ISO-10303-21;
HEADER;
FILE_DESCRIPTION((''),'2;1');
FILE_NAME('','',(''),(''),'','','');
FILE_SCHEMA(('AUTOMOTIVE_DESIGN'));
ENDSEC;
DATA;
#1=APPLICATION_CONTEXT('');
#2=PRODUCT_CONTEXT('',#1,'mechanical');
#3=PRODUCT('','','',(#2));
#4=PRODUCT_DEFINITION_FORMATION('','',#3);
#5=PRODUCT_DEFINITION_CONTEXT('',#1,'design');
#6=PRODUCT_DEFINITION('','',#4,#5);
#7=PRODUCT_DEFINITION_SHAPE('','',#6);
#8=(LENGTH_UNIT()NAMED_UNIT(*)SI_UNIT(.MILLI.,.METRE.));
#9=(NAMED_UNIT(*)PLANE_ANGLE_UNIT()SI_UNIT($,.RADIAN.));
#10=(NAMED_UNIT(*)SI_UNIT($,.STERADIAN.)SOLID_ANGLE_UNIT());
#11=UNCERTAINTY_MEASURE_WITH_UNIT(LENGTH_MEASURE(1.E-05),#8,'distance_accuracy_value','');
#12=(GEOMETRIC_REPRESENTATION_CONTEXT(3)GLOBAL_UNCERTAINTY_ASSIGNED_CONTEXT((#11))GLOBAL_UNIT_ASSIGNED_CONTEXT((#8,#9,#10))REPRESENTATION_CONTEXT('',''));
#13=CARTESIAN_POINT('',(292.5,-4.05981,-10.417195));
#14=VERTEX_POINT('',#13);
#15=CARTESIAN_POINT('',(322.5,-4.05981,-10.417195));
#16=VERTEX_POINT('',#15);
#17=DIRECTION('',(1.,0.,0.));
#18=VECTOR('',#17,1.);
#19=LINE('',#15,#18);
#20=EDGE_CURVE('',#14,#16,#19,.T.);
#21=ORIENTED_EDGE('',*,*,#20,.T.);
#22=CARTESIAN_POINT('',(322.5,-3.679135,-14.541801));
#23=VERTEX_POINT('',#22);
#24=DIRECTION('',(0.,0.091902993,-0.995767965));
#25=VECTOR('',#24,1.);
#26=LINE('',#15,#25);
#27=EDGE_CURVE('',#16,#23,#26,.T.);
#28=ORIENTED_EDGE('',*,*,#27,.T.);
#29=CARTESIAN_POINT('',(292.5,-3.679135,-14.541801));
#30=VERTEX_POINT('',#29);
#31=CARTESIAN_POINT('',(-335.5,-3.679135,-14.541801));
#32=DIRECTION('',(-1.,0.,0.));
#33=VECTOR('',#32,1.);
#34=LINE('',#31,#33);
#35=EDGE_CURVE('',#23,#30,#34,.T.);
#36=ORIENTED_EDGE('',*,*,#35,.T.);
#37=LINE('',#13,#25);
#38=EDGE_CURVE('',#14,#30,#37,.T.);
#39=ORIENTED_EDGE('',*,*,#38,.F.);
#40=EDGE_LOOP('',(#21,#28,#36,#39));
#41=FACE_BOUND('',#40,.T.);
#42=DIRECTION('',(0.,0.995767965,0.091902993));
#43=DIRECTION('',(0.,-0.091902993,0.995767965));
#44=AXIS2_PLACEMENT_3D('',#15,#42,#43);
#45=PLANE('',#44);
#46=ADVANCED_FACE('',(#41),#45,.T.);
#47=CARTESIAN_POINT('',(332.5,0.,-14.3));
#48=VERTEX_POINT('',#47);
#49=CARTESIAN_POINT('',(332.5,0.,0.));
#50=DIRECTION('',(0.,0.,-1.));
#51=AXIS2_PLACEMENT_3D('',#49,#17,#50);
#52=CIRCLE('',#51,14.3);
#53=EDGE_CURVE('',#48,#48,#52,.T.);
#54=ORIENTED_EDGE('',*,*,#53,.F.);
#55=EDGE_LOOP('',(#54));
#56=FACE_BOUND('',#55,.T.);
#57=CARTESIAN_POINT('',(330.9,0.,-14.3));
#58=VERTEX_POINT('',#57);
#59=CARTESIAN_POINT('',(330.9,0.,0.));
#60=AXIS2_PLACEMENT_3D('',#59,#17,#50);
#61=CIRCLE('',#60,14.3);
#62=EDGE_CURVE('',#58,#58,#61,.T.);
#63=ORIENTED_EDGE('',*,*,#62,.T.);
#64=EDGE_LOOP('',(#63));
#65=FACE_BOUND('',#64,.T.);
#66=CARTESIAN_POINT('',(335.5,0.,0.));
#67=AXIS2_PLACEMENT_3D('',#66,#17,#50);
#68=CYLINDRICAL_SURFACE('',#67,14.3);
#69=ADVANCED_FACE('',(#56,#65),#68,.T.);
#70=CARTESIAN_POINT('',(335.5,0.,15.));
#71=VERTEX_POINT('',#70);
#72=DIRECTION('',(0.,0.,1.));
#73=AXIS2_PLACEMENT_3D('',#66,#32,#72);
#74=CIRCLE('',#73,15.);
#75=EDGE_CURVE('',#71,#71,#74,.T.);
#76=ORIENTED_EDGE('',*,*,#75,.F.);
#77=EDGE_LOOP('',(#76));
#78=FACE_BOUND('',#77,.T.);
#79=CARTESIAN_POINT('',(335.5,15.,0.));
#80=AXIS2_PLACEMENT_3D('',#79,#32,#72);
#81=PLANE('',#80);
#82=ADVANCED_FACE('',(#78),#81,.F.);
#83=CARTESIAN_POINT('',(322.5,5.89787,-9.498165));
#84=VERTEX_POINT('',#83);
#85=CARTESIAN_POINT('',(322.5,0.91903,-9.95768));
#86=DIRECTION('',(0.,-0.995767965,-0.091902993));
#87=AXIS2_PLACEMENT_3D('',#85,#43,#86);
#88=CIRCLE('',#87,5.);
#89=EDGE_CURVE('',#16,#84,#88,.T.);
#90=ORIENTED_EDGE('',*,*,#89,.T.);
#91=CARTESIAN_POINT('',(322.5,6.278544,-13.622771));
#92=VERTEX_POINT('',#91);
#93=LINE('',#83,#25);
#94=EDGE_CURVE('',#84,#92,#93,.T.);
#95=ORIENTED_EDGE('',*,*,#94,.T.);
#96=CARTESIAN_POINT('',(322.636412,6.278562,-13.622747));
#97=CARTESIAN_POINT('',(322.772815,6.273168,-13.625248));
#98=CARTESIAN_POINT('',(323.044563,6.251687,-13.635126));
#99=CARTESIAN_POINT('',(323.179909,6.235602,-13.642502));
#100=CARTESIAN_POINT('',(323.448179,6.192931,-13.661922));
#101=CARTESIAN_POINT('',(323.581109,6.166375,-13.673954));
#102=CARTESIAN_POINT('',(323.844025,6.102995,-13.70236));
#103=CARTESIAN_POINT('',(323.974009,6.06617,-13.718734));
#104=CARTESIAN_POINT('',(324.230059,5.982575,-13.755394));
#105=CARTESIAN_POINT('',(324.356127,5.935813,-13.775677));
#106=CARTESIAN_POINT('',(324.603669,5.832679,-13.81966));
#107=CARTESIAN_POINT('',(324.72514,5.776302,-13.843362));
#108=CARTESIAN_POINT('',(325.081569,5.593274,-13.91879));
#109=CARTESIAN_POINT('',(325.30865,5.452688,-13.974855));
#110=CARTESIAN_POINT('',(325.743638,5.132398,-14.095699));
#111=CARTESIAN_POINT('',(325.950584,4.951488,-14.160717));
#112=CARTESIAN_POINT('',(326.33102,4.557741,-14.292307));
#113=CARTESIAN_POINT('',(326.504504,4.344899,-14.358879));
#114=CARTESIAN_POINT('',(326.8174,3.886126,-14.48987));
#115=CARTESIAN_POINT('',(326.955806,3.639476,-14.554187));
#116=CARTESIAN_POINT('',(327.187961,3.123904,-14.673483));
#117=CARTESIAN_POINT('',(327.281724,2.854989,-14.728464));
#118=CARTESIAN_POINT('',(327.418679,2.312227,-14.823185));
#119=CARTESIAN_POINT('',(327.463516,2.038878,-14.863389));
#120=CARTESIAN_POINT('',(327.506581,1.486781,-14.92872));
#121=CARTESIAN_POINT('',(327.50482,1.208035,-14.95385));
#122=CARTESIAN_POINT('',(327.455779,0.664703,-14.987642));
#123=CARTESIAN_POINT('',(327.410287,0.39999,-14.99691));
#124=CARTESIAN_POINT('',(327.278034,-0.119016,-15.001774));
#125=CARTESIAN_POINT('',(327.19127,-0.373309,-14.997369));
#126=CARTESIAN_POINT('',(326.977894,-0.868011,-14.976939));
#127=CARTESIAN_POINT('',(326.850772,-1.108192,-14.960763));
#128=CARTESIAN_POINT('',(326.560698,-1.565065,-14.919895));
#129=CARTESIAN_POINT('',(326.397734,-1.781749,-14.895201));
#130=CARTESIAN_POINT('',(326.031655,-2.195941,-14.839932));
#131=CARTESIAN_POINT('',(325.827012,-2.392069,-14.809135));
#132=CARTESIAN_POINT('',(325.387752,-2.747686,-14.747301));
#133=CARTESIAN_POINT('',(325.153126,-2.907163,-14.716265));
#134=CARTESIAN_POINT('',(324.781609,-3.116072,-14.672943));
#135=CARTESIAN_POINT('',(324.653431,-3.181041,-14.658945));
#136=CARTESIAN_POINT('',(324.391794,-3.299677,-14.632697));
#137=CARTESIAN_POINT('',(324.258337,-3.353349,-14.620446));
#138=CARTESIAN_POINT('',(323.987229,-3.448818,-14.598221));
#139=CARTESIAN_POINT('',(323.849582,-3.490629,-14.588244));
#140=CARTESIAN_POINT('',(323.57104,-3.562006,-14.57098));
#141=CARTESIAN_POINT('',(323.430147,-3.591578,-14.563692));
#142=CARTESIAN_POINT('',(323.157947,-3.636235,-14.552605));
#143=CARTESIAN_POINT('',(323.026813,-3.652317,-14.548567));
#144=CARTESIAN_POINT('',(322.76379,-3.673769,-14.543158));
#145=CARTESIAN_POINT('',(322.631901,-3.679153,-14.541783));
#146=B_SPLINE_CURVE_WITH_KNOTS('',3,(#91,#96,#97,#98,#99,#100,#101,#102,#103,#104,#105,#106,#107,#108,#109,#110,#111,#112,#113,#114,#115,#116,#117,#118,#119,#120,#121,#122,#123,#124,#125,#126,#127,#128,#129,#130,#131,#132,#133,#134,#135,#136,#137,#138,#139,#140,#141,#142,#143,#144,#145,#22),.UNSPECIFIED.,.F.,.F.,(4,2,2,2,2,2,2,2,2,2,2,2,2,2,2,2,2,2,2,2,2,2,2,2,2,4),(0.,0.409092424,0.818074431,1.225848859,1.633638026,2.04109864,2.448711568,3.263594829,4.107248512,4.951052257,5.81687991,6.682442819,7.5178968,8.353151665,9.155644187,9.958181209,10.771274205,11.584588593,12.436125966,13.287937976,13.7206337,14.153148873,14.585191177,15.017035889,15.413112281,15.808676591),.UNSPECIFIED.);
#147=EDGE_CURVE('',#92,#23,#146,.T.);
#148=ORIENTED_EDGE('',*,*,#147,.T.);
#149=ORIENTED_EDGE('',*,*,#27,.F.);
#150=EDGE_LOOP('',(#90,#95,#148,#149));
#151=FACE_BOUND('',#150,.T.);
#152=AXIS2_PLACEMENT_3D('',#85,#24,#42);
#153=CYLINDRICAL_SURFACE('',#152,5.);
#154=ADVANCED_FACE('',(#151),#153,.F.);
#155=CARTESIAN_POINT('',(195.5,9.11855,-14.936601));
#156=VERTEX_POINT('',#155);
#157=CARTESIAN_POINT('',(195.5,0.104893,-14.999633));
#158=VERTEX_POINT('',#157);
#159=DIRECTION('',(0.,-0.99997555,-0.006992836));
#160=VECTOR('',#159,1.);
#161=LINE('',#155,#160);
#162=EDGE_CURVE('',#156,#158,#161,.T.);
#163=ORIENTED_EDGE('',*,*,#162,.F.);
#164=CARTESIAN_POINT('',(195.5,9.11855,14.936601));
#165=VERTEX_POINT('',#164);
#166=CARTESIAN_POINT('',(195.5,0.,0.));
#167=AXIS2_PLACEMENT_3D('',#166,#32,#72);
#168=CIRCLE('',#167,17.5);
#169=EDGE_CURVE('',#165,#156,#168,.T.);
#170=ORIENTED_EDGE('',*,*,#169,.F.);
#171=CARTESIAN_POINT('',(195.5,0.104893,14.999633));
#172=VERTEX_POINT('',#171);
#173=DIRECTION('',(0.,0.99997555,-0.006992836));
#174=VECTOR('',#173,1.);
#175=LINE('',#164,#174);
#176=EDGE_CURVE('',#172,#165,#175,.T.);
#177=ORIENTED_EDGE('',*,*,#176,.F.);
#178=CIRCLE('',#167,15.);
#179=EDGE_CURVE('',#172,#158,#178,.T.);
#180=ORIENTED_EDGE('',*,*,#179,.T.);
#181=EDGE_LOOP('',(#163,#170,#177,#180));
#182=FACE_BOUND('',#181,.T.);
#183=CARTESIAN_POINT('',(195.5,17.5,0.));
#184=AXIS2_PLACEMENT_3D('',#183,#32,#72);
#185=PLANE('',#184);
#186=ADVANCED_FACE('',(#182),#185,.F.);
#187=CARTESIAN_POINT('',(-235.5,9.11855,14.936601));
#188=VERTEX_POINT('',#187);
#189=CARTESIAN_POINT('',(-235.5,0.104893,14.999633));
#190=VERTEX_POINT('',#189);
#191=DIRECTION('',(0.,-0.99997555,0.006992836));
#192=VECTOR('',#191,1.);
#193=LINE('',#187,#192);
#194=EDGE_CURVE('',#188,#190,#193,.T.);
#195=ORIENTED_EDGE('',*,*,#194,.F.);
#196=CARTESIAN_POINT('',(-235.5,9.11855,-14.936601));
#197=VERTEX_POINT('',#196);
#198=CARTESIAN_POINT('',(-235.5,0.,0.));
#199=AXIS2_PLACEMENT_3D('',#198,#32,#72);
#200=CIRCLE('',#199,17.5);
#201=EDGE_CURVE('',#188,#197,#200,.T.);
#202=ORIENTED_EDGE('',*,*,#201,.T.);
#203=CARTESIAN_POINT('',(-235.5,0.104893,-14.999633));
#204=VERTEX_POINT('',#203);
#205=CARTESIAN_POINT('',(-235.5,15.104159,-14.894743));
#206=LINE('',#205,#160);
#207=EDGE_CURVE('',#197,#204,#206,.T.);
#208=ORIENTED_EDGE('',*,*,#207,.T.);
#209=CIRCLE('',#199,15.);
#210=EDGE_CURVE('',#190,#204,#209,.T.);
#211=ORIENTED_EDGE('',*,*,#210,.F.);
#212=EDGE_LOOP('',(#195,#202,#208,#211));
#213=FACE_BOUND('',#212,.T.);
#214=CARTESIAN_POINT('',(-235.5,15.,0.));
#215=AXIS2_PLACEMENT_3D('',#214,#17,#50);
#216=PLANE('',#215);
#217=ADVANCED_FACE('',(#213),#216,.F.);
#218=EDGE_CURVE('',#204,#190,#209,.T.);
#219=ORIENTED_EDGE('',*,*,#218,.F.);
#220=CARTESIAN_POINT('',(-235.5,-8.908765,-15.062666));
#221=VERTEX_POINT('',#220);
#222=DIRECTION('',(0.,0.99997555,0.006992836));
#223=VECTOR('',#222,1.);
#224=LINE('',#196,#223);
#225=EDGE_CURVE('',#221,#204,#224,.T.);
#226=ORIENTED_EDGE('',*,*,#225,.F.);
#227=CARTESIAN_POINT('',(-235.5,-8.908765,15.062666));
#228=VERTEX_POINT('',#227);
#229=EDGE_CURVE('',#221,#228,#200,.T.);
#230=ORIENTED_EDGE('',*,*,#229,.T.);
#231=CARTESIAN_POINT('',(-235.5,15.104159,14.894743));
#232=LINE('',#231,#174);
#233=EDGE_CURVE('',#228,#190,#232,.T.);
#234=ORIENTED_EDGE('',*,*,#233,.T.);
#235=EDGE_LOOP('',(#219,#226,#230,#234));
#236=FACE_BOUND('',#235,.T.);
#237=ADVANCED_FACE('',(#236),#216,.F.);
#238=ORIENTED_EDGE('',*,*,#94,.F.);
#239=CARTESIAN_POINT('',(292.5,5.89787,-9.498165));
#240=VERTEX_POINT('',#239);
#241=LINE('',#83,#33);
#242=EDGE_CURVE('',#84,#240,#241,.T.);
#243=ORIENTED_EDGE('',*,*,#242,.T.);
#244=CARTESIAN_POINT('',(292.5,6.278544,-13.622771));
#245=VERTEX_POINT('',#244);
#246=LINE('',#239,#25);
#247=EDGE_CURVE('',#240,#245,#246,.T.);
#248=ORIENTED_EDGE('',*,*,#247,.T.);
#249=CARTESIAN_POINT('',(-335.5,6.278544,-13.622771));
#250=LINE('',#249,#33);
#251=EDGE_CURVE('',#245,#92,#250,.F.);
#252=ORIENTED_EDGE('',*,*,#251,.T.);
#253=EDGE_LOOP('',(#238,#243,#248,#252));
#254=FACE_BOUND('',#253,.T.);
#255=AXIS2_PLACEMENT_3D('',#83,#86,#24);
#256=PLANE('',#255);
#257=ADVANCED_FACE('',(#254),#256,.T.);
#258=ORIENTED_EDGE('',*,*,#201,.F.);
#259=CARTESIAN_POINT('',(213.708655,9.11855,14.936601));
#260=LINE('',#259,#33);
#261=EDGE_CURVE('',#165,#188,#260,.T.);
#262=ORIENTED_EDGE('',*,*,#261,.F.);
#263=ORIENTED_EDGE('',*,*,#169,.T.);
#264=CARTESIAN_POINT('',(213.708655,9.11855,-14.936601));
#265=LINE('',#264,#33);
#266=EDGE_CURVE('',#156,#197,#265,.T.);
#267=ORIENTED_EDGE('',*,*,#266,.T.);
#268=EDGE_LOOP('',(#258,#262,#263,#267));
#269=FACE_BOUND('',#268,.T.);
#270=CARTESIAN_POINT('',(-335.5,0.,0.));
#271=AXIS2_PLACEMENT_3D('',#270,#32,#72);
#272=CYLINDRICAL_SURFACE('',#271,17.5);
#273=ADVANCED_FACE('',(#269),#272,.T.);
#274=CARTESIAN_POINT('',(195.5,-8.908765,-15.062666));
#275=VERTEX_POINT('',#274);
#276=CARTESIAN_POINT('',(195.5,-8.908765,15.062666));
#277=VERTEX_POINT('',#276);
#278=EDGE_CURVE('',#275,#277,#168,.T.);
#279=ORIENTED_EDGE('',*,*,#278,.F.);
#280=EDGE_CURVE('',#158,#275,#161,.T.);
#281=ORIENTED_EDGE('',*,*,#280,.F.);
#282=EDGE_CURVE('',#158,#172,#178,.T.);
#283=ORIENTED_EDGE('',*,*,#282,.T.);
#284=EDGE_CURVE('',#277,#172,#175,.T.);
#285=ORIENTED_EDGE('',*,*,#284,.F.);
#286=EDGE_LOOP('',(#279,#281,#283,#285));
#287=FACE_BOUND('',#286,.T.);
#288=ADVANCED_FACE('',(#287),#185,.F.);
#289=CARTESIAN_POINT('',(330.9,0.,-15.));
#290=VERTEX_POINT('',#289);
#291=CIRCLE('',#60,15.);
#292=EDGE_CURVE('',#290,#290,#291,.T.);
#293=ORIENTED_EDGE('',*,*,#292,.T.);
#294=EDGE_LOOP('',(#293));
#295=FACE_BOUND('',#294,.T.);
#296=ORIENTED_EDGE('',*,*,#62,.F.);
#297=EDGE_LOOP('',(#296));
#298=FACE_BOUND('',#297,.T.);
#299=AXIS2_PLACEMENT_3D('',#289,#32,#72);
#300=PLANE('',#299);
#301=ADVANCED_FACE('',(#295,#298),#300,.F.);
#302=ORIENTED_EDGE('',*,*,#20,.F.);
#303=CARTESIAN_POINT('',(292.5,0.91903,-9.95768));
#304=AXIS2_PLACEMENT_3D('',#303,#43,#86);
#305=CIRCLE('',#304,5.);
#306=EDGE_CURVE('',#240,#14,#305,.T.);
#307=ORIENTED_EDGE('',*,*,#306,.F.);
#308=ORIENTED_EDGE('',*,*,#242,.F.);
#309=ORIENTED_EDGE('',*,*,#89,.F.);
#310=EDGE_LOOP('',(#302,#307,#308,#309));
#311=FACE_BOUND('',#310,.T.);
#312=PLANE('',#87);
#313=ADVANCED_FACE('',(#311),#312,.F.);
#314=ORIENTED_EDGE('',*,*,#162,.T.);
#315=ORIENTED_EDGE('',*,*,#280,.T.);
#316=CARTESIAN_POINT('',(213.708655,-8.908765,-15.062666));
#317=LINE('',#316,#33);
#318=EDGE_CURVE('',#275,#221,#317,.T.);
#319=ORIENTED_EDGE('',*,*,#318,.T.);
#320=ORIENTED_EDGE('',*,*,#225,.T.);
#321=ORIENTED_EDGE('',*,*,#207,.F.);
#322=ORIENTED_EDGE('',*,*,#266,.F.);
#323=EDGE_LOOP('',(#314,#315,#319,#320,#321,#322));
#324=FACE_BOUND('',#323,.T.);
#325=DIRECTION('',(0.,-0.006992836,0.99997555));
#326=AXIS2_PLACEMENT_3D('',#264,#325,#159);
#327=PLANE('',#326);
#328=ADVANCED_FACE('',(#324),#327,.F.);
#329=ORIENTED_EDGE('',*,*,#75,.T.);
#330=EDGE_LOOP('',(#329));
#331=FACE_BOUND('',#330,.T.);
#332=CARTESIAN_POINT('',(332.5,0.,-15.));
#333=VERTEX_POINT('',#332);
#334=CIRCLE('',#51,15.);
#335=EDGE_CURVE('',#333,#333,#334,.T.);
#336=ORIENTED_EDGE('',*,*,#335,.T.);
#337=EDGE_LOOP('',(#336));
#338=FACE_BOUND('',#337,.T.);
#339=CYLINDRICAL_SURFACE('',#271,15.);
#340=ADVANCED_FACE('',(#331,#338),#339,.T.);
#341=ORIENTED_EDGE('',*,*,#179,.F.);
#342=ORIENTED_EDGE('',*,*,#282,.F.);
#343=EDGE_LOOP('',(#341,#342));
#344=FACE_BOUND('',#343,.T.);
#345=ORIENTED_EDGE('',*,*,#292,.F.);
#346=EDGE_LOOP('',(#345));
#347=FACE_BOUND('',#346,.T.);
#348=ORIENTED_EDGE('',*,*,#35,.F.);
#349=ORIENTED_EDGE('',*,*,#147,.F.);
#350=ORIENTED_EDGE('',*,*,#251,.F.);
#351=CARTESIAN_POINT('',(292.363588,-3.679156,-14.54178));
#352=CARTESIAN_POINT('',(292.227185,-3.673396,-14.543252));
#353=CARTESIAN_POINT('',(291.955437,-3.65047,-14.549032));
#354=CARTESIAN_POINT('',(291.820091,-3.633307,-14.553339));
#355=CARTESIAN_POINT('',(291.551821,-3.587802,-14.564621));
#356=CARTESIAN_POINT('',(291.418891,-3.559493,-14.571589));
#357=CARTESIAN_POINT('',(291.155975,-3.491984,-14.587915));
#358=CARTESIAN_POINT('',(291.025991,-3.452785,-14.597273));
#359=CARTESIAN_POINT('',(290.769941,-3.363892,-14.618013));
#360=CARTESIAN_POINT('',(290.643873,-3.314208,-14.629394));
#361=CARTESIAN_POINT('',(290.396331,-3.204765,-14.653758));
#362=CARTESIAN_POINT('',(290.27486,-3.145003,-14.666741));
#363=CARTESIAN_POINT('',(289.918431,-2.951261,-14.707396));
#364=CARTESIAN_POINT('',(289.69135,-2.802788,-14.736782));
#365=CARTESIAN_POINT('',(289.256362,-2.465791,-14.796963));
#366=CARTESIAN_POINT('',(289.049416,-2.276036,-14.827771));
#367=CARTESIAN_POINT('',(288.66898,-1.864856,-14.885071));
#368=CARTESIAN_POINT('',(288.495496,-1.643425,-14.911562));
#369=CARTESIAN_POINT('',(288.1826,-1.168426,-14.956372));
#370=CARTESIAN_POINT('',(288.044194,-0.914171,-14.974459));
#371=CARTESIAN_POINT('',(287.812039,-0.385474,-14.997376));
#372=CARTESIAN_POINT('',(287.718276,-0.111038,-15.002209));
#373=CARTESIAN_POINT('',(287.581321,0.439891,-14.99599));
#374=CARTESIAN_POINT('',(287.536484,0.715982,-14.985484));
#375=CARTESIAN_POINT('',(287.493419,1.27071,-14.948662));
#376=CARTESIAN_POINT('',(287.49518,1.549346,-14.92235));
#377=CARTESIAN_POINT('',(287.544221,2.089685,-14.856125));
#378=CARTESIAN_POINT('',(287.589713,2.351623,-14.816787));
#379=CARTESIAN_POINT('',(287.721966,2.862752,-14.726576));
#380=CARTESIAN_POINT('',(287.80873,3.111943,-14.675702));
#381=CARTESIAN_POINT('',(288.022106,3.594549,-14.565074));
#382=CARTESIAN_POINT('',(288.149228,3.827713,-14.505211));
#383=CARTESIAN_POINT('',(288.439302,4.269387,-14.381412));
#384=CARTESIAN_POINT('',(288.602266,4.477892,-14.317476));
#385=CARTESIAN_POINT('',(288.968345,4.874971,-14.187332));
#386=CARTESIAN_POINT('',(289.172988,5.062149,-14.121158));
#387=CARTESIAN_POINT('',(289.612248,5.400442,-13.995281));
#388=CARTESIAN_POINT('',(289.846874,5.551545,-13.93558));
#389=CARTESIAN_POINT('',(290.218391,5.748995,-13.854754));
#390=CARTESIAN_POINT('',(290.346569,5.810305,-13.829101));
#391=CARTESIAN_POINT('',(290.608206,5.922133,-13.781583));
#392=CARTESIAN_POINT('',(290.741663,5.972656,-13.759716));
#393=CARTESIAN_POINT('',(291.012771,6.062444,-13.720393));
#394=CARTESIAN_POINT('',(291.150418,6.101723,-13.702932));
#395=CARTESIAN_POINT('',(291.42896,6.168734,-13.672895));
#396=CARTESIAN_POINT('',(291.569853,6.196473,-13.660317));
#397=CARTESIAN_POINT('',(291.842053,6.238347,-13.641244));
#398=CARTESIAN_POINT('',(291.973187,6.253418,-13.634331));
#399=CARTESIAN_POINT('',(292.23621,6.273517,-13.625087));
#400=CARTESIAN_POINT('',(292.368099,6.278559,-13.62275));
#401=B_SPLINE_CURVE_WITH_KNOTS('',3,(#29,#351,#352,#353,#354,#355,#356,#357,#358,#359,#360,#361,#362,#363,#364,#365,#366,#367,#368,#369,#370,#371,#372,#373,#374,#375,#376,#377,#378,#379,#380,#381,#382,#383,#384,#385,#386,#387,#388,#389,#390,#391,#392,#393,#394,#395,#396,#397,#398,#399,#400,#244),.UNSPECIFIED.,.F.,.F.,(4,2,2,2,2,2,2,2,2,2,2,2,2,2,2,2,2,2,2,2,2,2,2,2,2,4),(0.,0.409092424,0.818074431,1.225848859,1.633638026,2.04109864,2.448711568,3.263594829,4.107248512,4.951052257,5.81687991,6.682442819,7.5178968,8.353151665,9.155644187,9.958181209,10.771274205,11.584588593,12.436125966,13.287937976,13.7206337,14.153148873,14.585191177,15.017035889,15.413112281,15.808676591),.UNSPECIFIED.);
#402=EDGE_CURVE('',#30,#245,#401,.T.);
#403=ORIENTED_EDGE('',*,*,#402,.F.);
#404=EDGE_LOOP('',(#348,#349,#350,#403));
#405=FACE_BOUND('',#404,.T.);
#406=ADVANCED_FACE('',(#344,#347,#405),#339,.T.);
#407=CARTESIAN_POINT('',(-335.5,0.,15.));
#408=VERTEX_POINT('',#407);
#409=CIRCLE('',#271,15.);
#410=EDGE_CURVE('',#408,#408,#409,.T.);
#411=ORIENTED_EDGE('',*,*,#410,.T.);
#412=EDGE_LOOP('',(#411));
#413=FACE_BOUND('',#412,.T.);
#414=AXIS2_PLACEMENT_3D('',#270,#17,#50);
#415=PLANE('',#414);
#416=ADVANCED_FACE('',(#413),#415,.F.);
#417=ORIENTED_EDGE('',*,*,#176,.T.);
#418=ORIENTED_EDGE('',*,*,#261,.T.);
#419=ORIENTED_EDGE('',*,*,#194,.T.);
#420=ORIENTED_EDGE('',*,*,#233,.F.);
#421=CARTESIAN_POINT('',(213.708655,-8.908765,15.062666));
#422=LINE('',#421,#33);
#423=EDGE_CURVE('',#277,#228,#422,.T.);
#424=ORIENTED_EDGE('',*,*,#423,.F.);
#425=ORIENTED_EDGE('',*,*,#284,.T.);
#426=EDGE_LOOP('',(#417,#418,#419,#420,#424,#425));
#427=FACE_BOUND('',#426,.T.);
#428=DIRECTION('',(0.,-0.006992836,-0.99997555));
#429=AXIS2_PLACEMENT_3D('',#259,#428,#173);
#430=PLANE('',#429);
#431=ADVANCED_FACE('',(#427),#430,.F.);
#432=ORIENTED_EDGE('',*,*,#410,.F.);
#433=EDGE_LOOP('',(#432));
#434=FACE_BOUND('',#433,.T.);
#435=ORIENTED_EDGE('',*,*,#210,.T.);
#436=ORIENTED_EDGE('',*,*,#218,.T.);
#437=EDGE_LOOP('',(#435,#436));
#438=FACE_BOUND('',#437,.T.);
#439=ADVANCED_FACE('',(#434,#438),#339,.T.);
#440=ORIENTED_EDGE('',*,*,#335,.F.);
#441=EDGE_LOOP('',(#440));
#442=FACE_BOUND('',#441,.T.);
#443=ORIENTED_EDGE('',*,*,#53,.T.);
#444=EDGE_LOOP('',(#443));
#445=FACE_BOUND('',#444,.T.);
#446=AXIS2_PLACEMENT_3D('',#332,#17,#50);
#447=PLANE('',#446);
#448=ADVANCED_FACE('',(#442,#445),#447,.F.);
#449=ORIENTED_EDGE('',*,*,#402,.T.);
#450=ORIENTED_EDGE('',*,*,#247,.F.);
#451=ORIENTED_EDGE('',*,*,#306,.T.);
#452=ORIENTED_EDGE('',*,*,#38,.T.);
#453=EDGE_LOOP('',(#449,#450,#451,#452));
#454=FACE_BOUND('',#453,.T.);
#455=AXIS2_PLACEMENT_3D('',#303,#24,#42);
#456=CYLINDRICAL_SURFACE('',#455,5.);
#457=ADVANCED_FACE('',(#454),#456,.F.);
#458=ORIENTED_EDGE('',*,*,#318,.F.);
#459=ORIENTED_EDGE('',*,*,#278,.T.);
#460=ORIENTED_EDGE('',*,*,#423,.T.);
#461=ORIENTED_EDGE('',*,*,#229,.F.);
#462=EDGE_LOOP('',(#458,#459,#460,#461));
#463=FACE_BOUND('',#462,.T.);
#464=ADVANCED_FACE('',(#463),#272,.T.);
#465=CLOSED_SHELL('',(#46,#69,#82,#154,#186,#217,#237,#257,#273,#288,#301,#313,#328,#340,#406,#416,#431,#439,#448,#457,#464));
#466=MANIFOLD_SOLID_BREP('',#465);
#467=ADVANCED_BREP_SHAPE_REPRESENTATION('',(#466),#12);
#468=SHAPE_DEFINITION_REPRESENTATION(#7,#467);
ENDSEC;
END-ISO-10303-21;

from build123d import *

# Parameters (mm, degrees)
CUT_EXTRUDE1_DEPTH = 431
SKETCH3_W          = 1.6
SKETCH3_H          = 0.7
CUT_EXTRUDE2_DEPTH = 5


with BuildPart() as part:
    # Sketch1 → Revolve1 (revolve)
    with BuildSketch(Plane.XY, mode=Mode.PRIVATE) as revolve1_sk:
        Polygon((-335.5, 0), (335.5, 0), (335.5, 15), (195.5, 15), (195.5, 17.5), (-235.5, 17.5), (-235.5, 15), (-335.5, 15), align=None)
    revolve(revolve1_sk.sketch.rotate(Axis((-335.5, 0, 0), (1, 0, 0)), 90), axis=Axis((-335.5, 0, 0), (1, 0, 0)))

    # Sketch2 → Cut-Extrude1 (cut)
    with BuildSketch(Plane.ZY.offset(235.5)):
        with BuildLine():
            Line((-14.936600675, 9.118550338), (-15.062665819, -8.908765258))
            ThreePointArc((-15.062665819, -8.908765258), (-17.499572122, 0.12237463), (-14.936600675, 9.118550338))
        make_face()
        with BuildLine():
            Line((14.936600675, 9.118550338), (15.062665819, -8.908765258))
            ThreePointArc((15.062665819, -8.908765258), (17.499572122, 0.12237463), (14.936600675, 9.118550338))
        make_face()
    extrude(amount=-CUT_EXTRUDE1_DEPTH, mode=Mode.SUBTRACT)

    # Sketch3 → Cut-Revolve1 (revolve, cut)
    with BuildSketch(Plane(origin=(0, 0, 0), x_dir=(1, 0, 0), z_dir=(0, 1, 0)), mode=Mode.PRIVATE) as cut_revolve1_sk:
        with Locations((331.7, 14.65)):
            Rectangle(SKETCH3_W, SKETCH3_H)
    revolve(cut_revolve1_sk.sketch.rotate(Axis((335.5, 0, 0), (-1, 0, 0)), 180.400663256), axis=Axis((335.5, 0, 0), (-1, 0, 0)), mode=Mode.SUBTRACT)

    # Sketch6 → Cut-Extrude2 (cut)
    with BuildSketch(Plane(origin=(0, 1.378544902, -14.936519473), x_dir=(0, -0.9957679648377556, -0.09190299343804982), z_dir=(0, -0.09190299343804982, 0.9957679648377556))):
        with BuildLine():
            Line((5, 322.5), (5, 292.5))
            ThreePointArc((5, 292.5), (0, 287.5), (-5, 292.5))
            Line((-5, 292.5), (-5, 322.5))
            ThreePointArc((-5, 322.5), (0, 327.5), (5, 322.5))
        make_face()
    extrude(amount=CUT_EXTRUDE2_DEPTH, mode=Mode.SUBTRACT)


solid = part.part
